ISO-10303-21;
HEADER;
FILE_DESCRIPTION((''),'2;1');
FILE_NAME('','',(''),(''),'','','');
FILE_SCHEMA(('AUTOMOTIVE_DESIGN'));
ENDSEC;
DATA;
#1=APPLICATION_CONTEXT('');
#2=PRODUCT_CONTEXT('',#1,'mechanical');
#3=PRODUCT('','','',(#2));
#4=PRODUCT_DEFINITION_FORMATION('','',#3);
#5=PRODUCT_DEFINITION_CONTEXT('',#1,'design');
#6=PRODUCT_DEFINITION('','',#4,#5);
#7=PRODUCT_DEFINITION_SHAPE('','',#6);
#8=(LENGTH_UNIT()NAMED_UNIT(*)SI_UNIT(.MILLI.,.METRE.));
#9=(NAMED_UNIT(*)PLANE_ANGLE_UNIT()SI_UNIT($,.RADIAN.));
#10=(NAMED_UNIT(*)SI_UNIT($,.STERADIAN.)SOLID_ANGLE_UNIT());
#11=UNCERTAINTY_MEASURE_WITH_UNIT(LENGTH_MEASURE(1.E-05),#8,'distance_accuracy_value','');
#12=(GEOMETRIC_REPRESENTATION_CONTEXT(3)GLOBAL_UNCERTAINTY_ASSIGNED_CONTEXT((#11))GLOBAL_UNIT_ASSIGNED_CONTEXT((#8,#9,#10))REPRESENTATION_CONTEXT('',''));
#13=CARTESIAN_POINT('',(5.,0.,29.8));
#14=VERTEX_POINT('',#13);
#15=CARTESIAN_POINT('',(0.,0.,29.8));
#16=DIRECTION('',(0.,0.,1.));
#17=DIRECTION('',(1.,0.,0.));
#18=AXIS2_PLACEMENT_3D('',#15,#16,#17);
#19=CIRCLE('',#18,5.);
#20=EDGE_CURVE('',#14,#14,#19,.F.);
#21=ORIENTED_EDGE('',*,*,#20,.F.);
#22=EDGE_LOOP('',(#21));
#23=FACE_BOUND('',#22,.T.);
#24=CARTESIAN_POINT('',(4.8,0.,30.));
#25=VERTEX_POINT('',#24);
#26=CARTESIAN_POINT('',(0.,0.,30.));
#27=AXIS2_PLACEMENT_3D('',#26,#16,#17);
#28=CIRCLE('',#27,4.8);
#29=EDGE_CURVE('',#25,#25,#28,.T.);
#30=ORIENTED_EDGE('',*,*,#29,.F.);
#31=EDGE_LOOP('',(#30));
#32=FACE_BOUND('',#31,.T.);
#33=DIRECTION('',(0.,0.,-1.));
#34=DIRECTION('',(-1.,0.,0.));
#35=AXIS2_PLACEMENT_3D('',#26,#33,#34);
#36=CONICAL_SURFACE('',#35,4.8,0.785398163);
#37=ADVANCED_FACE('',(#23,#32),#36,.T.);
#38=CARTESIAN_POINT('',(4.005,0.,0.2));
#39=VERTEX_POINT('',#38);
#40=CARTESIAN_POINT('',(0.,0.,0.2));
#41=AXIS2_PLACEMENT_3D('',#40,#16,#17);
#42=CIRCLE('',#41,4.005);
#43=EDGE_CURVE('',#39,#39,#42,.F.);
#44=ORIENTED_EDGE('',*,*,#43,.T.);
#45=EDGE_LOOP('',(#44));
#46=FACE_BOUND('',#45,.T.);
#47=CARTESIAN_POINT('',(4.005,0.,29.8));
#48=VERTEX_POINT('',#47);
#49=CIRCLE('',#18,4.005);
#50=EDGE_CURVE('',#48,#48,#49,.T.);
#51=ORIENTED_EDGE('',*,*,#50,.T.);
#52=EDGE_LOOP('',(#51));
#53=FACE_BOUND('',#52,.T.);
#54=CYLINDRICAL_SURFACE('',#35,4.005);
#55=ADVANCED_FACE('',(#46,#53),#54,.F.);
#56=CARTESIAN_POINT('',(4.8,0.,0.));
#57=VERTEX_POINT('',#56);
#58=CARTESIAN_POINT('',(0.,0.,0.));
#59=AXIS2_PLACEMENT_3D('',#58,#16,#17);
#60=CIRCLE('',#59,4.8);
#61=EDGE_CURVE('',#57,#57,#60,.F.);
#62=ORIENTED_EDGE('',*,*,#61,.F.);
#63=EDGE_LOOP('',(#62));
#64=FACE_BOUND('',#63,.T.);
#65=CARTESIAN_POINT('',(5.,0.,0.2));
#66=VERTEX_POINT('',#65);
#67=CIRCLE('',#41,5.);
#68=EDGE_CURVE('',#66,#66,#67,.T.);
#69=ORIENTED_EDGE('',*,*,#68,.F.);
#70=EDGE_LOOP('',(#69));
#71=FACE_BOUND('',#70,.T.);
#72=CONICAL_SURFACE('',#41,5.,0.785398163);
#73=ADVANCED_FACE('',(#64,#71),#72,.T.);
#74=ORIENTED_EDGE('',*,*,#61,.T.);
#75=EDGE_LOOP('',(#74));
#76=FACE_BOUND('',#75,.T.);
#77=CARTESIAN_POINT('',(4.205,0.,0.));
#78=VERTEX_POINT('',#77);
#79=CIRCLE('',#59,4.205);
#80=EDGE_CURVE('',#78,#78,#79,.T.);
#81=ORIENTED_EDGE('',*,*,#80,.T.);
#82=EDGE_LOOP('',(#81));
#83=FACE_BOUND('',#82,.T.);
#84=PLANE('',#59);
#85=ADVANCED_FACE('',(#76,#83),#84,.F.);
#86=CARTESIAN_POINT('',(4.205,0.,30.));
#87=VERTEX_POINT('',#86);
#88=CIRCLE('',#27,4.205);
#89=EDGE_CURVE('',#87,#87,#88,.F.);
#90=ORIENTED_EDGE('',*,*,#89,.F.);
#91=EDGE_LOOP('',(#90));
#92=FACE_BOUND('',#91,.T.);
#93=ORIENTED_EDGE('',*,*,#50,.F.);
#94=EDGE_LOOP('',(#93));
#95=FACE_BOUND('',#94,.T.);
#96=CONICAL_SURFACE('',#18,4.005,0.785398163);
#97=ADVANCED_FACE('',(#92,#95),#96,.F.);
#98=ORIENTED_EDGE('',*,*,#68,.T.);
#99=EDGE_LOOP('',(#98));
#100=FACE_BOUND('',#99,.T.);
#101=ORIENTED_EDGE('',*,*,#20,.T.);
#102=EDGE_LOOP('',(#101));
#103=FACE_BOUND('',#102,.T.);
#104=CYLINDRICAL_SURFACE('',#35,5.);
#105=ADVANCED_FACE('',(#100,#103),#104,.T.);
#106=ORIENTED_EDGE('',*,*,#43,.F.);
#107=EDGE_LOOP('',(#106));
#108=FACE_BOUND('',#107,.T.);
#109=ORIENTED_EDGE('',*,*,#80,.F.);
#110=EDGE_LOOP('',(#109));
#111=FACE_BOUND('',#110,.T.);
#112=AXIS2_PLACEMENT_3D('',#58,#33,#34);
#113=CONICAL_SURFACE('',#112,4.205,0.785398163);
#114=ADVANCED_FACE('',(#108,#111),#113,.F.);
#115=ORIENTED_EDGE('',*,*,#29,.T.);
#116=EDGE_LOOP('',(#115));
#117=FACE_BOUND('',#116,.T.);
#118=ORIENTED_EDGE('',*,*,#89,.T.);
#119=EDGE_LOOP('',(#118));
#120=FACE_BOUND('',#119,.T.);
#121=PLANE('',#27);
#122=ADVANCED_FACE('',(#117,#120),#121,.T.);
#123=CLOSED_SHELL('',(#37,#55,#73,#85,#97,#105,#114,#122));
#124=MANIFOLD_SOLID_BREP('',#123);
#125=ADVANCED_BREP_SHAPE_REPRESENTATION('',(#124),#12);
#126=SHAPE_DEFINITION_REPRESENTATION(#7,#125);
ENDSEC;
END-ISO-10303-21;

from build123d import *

# Parameters (mm, degrees)
ESQUISSE1_R        = 5
ESQUISSE1_R_2      = 4.005
BOSS_EXTRU_1_DEPTH = 30
CHANFREIN1_SIZE    = 0.2


with BuildPart() as part:
    # Esquisse1 → Boss.-Extru.1 (new body)
    with BuildSketch(Plane.XY):
        Circle(ESQUISSE1_R)
        Circle(ESQUISSE1_R_2, mode=Mode.SUBTRACT)
    extrude(amount=BOSS_EXTRU_1_DEPTH)

    # Chanfrein1
    chanfrein1_edges = [part.edges().sort_by_distance(p)[0] for p in [
        (-5, 0, 0),
        (-5, 0, 30),
        (-4.005, 0, 0),
        (-4.005, 0, 30),
    ]]
    chamfer(chanfrein1_edges, length=CHANFREIN1_SIZE)


solid = part.part
